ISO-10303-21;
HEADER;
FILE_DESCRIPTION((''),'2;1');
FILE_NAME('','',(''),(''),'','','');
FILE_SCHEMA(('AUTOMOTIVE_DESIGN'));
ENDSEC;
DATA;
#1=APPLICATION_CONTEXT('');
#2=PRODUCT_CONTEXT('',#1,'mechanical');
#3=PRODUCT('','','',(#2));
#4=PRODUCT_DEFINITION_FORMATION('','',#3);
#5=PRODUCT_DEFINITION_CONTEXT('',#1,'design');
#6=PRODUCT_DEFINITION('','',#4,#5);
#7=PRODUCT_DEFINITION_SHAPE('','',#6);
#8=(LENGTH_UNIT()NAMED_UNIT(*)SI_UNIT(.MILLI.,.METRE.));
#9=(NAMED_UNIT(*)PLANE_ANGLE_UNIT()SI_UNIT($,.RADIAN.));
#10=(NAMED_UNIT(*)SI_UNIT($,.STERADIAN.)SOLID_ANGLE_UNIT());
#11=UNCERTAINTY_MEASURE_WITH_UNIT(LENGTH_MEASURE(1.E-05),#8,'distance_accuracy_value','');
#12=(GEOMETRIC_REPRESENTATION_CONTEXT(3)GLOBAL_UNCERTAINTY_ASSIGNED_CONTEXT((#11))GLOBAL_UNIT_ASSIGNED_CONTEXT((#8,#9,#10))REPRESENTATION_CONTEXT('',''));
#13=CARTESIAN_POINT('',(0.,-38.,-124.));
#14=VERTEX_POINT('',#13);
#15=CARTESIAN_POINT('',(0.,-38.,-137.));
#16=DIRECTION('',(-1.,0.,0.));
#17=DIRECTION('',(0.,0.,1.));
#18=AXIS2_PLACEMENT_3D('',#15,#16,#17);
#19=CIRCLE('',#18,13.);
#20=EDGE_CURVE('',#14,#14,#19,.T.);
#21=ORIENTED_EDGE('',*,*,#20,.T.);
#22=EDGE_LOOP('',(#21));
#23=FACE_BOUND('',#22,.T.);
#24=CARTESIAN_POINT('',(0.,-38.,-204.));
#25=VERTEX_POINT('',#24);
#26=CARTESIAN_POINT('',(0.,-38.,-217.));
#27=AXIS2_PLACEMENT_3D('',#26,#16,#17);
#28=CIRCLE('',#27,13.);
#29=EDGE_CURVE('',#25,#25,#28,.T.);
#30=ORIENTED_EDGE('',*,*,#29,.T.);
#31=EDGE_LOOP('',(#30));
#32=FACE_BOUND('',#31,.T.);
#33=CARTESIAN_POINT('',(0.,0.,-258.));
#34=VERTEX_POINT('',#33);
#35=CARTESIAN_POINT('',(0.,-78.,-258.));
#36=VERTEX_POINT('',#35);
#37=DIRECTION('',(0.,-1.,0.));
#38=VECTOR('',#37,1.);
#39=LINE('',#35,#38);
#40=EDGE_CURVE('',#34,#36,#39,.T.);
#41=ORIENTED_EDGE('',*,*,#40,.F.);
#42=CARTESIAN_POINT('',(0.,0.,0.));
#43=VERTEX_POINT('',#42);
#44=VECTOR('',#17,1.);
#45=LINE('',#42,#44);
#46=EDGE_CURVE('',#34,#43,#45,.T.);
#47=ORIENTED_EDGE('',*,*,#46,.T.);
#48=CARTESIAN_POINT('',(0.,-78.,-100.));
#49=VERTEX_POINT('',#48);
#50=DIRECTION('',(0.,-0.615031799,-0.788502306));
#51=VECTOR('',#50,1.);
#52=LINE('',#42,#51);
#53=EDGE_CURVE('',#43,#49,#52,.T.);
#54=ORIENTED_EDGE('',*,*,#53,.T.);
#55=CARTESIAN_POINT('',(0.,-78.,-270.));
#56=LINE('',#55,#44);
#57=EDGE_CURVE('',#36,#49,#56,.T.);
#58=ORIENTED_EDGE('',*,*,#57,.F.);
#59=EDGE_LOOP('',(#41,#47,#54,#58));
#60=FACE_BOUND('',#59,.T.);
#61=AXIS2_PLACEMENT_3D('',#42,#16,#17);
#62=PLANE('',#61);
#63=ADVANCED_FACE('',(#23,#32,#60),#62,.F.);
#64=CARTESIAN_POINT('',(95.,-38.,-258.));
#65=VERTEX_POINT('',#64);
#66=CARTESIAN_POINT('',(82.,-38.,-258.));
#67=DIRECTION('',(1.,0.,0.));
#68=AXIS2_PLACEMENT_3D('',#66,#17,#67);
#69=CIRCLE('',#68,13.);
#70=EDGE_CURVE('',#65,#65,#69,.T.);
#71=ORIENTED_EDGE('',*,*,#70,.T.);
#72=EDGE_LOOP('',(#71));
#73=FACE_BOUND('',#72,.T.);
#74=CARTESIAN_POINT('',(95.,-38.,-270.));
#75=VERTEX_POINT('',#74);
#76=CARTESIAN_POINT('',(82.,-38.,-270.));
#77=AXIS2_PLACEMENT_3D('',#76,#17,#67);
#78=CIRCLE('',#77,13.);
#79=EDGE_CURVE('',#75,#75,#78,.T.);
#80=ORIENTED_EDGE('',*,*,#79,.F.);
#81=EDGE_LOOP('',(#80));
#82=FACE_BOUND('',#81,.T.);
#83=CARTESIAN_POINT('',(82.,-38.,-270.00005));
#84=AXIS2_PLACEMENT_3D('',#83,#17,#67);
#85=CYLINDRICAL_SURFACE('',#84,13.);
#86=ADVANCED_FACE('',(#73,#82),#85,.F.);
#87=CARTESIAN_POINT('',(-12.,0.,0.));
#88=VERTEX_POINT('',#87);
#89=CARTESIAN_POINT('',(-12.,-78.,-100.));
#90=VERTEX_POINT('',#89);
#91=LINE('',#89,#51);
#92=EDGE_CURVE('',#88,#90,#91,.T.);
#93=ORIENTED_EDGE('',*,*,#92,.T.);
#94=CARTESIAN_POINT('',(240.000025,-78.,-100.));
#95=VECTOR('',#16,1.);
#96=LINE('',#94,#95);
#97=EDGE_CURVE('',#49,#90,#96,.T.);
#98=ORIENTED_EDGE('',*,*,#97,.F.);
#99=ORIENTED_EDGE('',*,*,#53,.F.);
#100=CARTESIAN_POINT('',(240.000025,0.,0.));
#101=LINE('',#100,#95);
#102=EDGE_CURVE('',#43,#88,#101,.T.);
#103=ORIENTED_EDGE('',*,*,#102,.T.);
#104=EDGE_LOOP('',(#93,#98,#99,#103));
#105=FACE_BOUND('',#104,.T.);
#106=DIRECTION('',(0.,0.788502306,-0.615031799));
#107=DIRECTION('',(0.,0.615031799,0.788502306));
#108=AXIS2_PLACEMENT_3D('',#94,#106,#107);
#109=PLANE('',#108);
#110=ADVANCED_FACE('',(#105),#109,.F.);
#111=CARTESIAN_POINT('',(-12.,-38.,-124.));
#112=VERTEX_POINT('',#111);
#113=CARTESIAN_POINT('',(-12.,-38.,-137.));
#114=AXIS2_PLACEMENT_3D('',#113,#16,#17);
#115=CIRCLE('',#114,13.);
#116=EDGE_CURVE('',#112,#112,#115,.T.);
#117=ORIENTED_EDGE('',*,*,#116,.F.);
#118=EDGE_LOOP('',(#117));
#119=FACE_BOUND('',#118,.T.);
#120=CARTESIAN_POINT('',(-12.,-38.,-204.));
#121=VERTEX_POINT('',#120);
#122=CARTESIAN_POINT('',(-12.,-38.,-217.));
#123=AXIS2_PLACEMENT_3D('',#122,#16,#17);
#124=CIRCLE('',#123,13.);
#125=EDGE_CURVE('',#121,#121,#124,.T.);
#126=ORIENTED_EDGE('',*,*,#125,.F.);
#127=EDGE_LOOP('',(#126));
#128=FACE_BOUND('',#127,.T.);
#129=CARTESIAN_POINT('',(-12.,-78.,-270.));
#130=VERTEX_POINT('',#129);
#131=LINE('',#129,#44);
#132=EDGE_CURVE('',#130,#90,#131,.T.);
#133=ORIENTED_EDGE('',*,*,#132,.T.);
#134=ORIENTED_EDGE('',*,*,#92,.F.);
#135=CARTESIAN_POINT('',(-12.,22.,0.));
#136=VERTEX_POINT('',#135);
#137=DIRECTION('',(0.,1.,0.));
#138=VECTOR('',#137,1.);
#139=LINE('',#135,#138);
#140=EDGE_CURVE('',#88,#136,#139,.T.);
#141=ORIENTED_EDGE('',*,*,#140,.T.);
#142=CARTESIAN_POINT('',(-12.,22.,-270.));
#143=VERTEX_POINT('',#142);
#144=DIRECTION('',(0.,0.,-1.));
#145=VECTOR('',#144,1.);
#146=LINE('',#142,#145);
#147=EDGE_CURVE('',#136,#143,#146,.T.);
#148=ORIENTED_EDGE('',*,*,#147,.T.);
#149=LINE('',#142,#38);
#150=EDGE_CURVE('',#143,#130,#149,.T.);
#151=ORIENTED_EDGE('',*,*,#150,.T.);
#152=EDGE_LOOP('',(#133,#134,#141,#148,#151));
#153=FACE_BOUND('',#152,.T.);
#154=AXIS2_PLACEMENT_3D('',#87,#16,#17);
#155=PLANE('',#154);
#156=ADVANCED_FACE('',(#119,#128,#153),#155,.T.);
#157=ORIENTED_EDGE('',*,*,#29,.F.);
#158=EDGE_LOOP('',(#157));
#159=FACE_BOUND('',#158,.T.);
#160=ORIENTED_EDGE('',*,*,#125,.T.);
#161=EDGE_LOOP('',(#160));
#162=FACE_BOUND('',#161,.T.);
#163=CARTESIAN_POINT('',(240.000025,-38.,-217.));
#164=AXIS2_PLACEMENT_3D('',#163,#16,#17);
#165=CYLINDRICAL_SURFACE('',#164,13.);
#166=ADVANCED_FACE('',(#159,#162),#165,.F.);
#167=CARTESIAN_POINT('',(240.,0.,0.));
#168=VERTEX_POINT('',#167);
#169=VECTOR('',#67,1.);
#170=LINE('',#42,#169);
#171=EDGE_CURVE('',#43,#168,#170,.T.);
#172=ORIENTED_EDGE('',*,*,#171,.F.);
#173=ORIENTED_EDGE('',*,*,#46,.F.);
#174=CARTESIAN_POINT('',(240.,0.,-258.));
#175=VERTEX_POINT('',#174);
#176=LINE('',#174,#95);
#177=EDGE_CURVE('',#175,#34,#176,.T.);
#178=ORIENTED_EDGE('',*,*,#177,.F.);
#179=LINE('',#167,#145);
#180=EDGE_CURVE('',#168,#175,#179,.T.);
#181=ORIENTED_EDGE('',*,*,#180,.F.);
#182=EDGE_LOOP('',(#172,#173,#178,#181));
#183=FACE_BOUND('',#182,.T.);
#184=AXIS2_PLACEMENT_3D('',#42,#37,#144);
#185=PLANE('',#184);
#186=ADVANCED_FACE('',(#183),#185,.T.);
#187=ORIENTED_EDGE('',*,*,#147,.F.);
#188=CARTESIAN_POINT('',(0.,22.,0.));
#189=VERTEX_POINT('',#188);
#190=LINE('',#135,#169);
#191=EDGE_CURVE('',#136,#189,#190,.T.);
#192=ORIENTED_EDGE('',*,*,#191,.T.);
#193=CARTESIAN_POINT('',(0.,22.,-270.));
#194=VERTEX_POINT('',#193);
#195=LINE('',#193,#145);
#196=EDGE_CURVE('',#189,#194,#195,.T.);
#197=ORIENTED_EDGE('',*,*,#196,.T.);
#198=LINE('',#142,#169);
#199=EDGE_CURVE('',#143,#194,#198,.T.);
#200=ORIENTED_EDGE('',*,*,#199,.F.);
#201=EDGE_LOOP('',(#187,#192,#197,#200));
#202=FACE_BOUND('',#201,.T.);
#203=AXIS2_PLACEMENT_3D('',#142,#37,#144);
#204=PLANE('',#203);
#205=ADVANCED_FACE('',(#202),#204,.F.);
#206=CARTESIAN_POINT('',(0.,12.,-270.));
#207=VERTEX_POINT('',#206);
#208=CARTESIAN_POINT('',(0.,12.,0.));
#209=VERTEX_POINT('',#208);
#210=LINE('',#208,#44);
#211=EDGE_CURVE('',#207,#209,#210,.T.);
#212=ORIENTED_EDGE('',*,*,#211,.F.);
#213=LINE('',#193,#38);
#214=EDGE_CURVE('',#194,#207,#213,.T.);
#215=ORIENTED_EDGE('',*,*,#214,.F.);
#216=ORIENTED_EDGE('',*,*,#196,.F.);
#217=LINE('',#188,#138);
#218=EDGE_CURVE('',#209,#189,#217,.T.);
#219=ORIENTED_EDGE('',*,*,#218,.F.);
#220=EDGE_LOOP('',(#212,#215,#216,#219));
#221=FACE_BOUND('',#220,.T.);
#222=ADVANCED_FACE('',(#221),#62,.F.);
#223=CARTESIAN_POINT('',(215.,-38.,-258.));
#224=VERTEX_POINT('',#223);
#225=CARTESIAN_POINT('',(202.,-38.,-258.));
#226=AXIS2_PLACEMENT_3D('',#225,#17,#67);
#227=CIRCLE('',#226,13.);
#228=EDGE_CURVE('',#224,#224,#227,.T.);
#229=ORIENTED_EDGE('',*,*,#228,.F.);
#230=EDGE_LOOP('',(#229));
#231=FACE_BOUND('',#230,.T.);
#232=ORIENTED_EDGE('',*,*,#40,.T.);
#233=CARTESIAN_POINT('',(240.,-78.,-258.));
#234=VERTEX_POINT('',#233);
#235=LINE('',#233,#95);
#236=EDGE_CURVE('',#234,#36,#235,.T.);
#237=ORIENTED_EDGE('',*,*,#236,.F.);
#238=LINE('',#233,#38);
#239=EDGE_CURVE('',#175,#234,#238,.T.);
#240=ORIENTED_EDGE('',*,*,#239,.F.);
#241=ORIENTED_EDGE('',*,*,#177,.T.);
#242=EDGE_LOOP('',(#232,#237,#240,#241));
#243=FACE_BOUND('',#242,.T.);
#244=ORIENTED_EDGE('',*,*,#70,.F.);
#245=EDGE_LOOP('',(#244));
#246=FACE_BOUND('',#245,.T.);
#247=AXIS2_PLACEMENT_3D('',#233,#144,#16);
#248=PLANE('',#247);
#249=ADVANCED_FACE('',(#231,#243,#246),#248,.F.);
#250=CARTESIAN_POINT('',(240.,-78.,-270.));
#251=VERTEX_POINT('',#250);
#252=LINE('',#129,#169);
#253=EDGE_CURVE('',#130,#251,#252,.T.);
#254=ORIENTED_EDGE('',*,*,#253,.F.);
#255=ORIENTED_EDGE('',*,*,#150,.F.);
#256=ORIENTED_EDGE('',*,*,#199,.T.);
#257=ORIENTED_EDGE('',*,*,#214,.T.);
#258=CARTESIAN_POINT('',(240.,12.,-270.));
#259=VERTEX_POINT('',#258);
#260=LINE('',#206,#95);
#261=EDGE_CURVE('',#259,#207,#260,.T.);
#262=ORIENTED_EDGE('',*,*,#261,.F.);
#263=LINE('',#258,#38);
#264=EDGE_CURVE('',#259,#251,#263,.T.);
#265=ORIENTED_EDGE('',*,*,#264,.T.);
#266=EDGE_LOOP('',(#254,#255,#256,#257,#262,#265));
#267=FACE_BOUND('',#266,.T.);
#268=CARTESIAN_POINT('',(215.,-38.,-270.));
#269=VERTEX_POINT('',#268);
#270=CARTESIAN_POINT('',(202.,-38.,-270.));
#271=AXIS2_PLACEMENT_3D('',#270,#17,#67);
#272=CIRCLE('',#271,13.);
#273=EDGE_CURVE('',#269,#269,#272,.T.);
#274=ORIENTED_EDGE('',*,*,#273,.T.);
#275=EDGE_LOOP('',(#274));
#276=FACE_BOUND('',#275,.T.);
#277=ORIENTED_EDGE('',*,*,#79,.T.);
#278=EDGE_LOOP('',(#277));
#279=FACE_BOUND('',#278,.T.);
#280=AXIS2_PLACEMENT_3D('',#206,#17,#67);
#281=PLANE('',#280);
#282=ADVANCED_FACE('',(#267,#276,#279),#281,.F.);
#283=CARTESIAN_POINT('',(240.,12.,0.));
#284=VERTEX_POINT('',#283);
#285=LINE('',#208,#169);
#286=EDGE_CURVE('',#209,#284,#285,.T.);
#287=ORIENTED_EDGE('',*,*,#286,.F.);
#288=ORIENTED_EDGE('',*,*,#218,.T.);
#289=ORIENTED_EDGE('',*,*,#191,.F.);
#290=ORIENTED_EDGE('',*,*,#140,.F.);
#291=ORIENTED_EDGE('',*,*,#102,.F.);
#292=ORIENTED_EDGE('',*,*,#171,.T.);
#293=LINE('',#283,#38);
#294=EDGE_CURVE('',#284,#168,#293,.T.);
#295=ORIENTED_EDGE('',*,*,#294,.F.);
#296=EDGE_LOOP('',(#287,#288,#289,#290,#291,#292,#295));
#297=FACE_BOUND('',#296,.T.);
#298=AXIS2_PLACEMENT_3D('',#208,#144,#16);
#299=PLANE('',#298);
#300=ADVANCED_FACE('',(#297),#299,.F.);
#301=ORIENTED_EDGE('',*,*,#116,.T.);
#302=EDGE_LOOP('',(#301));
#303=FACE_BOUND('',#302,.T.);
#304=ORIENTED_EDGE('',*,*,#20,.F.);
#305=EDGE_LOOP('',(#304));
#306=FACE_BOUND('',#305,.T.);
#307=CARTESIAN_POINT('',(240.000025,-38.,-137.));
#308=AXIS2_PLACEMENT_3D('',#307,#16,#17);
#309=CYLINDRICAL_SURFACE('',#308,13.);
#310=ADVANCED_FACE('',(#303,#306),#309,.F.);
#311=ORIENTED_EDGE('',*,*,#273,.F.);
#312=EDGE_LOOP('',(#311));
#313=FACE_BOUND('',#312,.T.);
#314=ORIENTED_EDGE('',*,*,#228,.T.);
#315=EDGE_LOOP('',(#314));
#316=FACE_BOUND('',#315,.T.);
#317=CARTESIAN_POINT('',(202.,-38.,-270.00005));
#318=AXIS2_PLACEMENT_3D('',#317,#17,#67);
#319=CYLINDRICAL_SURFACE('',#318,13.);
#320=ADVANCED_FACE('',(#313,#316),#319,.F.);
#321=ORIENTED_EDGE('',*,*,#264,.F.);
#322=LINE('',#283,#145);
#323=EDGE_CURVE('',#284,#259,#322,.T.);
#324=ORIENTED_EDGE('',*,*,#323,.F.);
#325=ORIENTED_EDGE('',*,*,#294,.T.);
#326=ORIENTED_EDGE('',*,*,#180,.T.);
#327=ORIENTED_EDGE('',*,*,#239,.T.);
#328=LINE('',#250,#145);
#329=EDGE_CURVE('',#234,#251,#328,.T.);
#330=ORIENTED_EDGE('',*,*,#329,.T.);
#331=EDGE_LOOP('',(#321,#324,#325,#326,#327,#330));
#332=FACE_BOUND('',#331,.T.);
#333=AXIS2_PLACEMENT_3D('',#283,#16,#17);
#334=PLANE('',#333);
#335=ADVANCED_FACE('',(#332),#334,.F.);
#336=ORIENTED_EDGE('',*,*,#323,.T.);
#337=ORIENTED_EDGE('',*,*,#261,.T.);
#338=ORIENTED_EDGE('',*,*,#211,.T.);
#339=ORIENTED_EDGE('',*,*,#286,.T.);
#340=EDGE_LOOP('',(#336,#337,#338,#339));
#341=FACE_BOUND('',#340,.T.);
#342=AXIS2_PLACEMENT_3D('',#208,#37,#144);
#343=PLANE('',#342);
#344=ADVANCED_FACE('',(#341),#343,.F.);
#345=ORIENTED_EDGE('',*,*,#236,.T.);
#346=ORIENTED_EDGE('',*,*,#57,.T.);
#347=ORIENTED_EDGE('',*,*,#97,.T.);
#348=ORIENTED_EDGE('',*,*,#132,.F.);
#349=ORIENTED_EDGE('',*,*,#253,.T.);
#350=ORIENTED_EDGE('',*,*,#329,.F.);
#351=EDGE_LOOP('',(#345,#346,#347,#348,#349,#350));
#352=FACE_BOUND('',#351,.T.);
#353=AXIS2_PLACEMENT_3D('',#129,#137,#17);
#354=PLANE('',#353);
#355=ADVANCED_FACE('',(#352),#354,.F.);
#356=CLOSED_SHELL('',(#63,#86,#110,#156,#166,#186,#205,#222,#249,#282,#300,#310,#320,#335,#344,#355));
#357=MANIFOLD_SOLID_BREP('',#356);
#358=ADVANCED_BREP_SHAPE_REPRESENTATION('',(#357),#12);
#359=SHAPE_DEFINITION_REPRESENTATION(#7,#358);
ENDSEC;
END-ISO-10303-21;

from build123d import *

# Parameters (mm, degrees)
SKETCH_1_W          = 240
SKETCH_1_H          = 270
EXTRUDE_1_DEPTH     = 12
SKETCH_2_W          = 270
SKETCH_2_H          = 100
EXTRUDE_2_DEPTH     = 12
SKETCH_3_W          = 12
SKETCH_3_H          = 78
EXTRUDE_3_DEPTH     = 240
SKETCH_4_R          = 13
CUT_EXTRUDE_1_DEPTH = 361.898877804
SKETCH_5_R          = 13
CUT_EXTRUDE_2_DEPTH = 378.475827041


with BuildPart() as part:
    # 草图1 → 凸台-拉伸1 (new body)
    with BuildSketch(Plane(origin=(0, 0, 0), x_dir=(1, 0, 0), z_dir=(0, 1, 0))):
        with Locations((120, 135)):
            Rectangle(SKETCH_1_W, SKETCH_1_H)
    extrude(amount=EXTRUDE_1_DEPTH)

    # 草图2 → 凸台-拉伸2 (add)
    with BuildSketch(Plane.ZY):
        with Locations((-135, -28)):
            Rectangle(SKETCH_2_W, SKETCH_2_H)
    extrude(amount=EXTRUDE_2_DEPTH)

    # 草图3 → 凸台-拉伸3 (add)
    with BuildSketch(Plane(origin=(0, 0, 0), x_dir=(0, 0, -1), z_dir=(1, 0, 0))):
        with Locations((264, -39)):
            Rectangle(SKETCH_3_W, SKETCH_3_H)
    extrude(amount=EXTRUDE_3_DEPTH)

    # 草图4 → 切除-拉伸1 (cut, through all)
    with BuildSketch(Plane.XY.offset(-258)):
        with Locations((82, -38)):
            Circle(SKETCH_4_R)
        with Locations((202, -38)):
            Circle(SKETCH_4_R)
    extrude(amount=-CUT_EXTRUDE_1_DEPTH, mode=Mode.SUBTRACT)

    # 草图5 → 切除-拉伸2 (cut, through all)
    with BuildSketch(Plane.ZY.offset(12)):
        with Locations((-217, -38)):
            Circle(SKETCH_5_R)
        with Locations((-137, -38)):
            Circle(SKETCH_5_R)
        Polygon((-100, -78), (0, 0), (0, -78), align=None)
    extrude(amount=-CUT_EXTRUDE_2_DEPTH, mode=Mode.SUBTRACT)


solid = part.part
